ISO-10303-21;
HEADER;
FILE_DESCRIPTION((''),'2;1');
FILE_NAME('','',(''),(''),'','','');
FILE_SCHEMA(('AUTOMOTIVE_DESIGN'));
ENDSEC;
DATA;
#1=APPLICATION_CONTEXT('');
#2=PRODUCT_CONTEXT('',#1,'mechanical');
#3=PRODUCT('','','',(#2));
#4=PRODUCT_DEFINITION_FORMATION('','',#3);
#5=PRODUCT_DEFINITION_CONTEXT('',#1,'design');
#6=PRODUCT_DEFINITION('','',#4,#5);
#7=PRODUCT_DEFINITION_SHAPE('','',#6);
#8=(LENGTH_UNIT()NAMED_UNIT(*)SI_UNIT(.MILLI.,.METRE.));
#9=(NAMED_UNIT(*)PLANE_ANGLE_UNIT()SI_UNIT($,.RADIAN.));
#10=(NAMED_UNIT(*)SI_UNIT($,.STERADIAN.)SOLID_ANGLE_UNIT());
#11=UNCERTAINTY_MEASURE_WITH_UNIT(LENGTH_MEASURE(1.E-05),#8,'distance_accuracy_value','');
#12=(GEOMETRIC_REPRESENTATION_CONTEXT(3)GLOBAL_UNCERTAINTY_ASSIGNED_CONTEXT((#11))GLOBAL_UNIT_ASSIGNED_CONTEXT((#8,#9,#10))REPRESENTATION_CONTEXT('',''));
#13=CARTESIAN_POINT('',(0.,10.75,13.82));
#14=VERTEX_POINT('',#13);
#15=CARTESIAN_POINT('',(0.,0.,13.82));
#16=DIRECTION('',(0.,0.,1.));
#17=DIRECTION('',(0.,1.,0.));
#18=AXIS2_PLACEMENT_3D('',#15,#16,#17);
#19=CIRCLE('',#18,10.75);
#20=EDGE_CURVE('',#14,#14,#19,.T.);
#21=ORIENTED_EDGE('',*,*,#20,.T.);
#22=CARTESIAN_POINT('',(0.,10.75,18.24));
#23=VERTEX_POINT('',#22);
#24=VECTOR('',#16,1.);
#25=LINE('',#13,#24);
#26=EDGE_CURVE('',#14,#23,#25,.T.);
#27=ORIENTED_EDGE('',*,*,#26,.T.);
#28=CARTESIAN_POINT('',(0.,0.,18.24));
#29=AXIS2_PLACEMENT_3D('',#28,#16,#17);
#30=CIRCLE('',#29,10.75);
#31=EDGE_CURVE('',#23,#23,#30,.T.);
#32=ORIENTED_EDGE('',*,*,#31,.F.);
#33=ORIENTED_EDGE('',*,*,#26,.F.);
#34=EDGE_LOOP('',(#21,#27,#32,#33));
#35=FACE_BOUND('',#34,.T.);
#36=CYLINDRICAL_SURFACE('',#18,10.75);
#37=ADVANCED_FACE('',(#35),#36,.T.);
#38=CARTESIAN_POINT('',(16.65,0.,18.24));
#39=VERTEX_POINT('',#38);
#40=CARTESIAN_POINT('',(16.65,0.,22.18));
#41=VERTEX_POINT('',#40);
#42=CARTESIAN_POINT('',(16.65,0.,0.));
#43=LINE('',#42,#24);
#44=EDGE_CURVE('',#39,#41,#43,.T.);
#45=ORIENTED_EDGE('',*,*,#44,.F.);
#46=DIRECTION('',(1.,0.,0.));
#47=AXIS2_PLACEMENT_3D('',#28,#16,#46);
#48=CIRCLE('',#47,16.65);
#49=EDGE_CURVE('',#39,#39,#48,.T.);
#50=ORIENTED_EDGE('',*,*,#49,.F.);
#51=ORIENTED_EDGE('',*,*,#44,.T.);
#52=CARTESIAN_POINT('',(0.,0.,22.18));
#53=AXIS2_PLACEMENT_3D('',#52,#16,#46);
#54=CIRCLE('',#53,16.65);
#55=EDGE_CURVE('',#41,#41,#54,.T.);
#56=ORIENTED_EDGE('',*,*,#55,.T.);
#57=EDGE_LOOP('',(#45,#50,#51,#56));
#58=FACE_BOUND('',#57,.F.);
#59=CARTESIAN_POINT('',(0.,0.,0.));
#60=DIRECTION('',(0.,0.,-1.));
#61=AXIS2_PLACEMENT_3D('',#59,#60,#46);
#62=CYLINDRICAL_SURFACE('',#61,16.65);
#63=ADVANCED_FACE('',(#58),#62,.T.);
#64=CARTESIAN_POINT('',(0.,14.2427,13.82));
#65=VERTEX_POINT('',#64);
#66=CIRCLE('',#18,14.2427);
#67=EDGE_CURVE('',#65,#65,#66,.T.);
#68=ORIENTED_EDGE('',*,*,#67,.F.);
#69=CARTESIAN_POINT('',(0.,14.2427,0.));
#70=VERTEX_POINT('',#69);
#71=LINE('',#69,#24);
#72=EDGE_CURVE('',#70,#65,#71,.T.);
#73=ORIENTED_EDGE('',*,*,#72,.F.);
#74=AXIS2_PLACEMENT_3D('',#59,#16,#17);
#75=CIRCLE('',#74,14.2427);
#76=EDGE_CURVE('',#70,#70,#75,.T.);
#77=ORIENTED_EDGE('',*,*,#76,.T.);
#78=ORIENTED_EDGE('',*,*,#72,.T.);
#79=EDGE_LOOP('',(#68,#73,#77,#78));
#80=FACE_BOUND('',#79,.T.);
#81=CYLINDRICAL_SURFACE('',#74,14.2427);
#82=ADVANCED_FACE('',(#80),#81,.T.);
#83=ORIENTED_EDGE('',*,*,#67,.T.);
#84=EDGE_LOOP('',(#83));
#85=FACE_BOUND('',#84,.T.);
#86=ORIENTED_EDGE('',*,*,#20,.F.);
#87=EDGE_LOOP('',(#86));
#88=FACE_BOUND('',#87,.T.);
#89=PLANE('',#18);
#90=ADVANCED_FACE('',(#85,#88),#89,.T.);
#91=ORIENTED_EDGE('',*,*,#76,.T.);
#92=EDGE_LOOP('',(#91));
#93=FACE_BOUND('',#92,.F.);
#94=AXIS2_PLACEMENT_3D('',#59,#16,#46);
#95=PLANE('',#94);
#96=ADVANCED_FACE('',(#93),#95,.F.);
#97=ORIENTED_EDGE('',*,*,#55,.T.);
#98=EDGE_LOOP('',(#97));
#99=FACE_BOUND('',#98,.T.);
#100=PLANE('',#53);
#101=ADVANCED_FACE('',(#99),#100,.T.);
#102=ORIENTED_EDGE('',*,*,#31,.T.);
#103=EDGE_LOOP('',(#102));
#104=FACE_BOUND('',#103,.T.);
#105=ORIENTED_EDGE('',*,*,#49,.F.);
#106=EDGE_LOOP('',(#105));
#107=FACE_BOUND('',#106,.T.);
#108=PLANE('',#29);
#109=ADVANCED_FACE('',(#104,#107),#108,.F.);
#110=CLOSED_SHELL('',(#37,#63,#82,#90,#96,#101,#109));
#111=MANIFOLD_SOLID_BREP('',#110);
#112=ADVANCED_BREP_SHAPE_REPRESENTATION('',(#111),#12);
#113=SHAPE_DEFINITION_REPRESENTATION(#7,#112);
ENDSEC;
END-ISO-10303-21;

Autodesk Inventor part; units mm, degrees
ref_plane "YZ Plane" through (0, 0, 0) normal (1, 0, 0) x (0, 1, 0)
ref_plane "XZ Plane" through (0, 0, 0) normal (0, 1, 0) x (-1, 0, 0)
ref_plane "XY Plane" through (0, 0, 0) normal (0, 0, 1) x (1, 0, 0)
sketch "Sketch1" plane through (0, 0, 0) normal (0, 0, 1) x (1, 0, 0)
  circle A0 centre (0, 0) radius 16.65
  dimension "d0" = 33.3
extrude "Extrusion1" add sketch "Sketch1" along normal blind 22.18
sketch "Sketch2" plane through (0, 0, 0) normal (1, 0, 0) x (0, 1, 0)
  line L0 (14.2427, 0) -> (14.2427, 13.82)
  line L1 (14.2427, 13.82) -> (10.75, 13.82)
  line L2 (10.75, 13.82) -> (10.75, 18.24)
  line L3 (10.75, 18.24) -> (16.65, 18.24)
  line L4 (16.65, 0) -> (16.65, 22.18) projected
  line L5 (-16.65, 0) -> (16.65, 0) projected
  line L6 (14.2427, 0) -> (16.65, 0)
  line L7 (16.65, 0) -> (16.65, 18.24)
  line L8 (0, -4.436) -> (0, 26.616) projected
  line L9 (16.65, 22.18) -> (-16.65, 22.18) projected
  point P0 (0, 0)
  dimension "d3" = 13.82
  dimension "d4" = 4.42
  dimension "d5" = 5.9
  dimension "d7" = 22.18
  dimension "d8" = 3.94
revolve "Revolution1" cut sketch "Sketch2" angle 360 about axis through (0, 0, -10) along (0, 0, 1) contours L0 L1 L2 L3 L4 L5
properties part number "Pinion12T"
